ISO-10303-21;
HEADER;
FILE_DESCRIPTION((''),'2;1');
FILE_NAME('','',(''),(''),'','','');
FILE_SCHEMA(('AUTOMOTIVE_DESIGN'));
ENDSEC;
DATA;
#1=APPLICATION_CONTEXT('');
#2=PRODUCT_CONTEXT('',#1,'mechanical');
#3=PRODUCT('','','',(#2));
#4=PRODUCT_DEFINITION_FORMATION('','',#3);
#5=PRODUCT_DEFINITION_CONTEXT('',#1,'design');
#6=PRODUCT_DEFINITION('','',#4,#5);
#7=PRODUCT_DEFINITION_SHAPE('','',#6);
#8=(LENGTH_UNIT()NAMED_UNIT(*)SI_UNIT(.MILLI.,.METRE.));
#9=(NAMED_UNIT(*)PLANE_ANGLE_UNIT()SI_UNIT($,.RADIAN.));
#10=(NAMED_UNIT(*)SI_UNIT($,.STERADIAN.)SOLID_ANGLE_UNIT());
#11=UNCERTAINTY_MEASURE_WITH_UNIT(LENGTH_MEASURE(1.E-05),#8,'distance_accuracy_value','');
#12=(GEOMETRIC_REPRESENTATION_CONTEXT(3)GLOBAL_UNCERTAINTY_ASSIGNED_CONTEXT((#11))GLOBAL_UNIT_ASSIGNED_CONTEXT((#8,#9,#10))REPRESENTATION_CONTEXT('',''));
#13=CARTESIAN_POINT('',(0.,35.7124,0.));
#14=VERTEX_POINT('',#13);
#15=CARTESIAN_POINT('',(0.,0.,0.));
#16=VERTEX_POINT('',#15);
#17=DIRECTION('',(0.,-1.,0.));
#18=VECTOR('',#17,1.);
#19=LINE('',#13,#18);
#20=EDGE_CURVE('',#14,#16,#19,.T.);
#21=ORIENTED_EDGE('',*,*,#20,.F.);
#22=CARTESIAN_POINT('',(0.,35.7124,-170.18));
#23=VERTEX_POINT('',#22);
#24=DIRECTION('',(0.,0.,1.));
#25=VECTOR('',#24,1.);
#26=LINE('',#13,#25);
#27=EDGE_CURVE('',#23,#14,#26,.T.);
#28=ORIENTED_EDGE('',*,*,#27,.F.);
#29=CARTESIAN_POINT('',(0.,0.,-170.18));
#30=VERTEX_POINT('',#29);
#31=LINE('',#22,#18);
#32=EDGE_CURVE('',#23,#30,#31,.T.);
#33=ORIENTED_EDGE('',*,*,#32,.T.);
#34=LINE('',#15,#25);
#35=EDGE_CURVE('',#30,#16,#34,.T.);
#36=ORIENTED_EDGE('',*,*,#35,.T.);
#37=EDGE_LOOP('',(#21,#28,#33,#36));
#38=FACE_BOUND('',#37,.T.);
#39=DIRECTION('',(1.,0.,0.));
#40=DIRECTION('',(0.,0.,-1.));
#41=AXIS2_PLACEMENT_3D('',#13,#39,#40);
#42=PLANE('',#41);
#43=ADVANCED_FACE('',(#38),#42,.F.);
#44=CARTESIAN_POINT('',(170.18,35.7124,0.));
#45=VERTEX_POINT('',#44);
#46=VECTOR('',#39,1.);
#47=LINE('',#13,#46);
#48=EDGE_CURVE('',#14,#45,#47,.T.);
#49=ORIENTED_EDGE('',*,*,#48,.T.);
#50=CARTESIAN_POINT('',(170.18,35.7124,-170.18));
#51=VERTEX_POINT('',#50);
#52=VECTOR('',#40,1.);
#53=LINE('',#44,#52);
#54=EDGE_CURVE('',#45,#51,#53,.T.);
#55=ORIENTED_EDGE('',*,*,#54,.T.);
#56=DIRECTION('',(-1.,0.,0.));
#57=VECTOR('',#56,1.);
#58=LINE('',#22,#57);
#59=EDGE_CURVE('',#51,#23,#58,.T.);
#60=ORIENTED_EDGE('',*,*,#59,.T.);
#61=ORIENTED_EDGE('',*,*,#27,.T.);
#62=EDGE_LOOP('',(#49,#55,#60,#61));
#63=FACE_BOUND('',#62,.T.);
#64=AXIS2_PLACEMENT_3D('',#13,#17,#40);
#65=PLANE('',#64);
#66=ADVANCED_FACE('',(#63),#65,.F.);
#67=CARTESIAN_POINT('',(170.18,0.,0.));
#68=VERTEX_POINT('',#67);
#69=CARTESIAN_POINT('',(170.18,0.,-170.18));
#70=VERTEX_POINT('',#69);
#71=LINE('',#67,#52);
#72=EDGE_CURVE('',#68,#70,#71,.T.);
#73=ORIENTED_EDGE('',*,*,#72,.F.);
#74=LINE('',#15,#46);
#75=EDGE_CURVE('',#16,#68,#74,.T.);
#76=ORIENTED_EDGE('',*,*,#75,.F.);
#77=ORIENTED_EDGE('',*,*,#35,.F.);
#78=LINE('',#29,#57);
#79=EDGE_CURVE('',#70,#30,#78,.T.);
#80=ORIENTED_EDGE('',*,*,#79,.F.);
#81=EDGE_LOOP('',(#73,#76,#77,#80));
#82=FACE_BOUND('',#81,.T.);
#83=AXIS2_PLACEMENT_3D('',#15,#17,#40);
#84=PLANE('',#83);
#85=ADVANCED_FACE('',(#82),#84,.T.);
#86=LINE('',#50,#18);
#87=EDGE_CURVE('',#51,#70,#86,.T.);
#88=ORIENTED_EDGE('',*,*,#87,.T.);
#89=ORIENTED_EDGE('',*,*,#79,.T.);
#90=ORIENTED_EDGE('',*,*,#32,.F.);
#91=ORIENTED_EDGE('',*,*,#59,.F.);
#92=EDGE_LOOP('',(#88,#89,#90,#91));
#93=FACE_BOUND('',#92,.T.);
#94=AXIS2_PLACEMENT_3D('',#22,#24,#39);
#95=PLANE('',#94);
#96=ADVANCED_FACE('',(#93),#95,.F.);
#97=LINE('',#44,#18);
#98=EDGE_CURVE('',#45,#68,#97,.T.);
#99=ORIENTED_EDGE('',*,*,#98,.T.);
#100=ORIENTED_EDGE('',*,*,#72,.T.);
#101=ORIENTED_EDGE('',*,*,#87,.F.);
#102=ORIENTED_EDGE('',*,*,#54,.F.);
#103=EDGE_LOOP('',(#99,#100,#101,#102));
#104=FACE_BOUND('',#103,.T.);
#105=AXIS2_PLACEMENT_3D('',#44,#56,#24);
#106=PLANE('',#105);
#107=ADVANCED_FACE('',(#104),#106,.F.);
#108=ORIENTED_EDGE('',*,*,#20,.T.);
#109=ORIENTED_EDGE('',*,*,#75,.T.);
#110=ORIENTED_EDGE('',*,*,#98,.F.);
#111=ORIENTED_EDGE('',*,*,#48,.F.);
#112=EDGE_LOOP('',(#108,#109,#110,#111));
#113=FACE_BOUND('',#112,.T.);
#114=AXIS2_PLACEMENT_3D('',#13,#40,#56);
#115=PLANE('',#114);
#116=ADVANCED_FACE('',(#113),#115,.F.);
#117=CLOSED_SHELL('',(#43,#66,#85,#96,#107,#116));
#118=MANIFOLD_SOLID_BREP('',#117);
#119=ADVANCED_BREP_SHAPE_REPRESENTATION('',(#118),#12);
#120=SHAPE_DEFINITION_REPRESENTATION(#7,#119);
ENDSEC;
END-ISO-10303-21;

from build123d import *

# Parameters (mm, degrees)
SKETCH1_W           = 170.18
SKETCH1_H           = 170.18
BOSS_EXTRUDE1_DEPTH = 35.7124


with BuildPart() as part:
    # Sketch1 → Boss-Extrude1 (new body)
    with BuildSketch(Plane(origin=(0, 0, 0), x_dir=(1, 0, 0), z_dir=(0, 1, 0))):
        with Locations((85.09, 85.09)):
            Rectangle(SKETCH1_W, SKETCH1_H)
    extrude(amount=BOSS_EXTRUDE1_DEPTH)


solid = part.part
